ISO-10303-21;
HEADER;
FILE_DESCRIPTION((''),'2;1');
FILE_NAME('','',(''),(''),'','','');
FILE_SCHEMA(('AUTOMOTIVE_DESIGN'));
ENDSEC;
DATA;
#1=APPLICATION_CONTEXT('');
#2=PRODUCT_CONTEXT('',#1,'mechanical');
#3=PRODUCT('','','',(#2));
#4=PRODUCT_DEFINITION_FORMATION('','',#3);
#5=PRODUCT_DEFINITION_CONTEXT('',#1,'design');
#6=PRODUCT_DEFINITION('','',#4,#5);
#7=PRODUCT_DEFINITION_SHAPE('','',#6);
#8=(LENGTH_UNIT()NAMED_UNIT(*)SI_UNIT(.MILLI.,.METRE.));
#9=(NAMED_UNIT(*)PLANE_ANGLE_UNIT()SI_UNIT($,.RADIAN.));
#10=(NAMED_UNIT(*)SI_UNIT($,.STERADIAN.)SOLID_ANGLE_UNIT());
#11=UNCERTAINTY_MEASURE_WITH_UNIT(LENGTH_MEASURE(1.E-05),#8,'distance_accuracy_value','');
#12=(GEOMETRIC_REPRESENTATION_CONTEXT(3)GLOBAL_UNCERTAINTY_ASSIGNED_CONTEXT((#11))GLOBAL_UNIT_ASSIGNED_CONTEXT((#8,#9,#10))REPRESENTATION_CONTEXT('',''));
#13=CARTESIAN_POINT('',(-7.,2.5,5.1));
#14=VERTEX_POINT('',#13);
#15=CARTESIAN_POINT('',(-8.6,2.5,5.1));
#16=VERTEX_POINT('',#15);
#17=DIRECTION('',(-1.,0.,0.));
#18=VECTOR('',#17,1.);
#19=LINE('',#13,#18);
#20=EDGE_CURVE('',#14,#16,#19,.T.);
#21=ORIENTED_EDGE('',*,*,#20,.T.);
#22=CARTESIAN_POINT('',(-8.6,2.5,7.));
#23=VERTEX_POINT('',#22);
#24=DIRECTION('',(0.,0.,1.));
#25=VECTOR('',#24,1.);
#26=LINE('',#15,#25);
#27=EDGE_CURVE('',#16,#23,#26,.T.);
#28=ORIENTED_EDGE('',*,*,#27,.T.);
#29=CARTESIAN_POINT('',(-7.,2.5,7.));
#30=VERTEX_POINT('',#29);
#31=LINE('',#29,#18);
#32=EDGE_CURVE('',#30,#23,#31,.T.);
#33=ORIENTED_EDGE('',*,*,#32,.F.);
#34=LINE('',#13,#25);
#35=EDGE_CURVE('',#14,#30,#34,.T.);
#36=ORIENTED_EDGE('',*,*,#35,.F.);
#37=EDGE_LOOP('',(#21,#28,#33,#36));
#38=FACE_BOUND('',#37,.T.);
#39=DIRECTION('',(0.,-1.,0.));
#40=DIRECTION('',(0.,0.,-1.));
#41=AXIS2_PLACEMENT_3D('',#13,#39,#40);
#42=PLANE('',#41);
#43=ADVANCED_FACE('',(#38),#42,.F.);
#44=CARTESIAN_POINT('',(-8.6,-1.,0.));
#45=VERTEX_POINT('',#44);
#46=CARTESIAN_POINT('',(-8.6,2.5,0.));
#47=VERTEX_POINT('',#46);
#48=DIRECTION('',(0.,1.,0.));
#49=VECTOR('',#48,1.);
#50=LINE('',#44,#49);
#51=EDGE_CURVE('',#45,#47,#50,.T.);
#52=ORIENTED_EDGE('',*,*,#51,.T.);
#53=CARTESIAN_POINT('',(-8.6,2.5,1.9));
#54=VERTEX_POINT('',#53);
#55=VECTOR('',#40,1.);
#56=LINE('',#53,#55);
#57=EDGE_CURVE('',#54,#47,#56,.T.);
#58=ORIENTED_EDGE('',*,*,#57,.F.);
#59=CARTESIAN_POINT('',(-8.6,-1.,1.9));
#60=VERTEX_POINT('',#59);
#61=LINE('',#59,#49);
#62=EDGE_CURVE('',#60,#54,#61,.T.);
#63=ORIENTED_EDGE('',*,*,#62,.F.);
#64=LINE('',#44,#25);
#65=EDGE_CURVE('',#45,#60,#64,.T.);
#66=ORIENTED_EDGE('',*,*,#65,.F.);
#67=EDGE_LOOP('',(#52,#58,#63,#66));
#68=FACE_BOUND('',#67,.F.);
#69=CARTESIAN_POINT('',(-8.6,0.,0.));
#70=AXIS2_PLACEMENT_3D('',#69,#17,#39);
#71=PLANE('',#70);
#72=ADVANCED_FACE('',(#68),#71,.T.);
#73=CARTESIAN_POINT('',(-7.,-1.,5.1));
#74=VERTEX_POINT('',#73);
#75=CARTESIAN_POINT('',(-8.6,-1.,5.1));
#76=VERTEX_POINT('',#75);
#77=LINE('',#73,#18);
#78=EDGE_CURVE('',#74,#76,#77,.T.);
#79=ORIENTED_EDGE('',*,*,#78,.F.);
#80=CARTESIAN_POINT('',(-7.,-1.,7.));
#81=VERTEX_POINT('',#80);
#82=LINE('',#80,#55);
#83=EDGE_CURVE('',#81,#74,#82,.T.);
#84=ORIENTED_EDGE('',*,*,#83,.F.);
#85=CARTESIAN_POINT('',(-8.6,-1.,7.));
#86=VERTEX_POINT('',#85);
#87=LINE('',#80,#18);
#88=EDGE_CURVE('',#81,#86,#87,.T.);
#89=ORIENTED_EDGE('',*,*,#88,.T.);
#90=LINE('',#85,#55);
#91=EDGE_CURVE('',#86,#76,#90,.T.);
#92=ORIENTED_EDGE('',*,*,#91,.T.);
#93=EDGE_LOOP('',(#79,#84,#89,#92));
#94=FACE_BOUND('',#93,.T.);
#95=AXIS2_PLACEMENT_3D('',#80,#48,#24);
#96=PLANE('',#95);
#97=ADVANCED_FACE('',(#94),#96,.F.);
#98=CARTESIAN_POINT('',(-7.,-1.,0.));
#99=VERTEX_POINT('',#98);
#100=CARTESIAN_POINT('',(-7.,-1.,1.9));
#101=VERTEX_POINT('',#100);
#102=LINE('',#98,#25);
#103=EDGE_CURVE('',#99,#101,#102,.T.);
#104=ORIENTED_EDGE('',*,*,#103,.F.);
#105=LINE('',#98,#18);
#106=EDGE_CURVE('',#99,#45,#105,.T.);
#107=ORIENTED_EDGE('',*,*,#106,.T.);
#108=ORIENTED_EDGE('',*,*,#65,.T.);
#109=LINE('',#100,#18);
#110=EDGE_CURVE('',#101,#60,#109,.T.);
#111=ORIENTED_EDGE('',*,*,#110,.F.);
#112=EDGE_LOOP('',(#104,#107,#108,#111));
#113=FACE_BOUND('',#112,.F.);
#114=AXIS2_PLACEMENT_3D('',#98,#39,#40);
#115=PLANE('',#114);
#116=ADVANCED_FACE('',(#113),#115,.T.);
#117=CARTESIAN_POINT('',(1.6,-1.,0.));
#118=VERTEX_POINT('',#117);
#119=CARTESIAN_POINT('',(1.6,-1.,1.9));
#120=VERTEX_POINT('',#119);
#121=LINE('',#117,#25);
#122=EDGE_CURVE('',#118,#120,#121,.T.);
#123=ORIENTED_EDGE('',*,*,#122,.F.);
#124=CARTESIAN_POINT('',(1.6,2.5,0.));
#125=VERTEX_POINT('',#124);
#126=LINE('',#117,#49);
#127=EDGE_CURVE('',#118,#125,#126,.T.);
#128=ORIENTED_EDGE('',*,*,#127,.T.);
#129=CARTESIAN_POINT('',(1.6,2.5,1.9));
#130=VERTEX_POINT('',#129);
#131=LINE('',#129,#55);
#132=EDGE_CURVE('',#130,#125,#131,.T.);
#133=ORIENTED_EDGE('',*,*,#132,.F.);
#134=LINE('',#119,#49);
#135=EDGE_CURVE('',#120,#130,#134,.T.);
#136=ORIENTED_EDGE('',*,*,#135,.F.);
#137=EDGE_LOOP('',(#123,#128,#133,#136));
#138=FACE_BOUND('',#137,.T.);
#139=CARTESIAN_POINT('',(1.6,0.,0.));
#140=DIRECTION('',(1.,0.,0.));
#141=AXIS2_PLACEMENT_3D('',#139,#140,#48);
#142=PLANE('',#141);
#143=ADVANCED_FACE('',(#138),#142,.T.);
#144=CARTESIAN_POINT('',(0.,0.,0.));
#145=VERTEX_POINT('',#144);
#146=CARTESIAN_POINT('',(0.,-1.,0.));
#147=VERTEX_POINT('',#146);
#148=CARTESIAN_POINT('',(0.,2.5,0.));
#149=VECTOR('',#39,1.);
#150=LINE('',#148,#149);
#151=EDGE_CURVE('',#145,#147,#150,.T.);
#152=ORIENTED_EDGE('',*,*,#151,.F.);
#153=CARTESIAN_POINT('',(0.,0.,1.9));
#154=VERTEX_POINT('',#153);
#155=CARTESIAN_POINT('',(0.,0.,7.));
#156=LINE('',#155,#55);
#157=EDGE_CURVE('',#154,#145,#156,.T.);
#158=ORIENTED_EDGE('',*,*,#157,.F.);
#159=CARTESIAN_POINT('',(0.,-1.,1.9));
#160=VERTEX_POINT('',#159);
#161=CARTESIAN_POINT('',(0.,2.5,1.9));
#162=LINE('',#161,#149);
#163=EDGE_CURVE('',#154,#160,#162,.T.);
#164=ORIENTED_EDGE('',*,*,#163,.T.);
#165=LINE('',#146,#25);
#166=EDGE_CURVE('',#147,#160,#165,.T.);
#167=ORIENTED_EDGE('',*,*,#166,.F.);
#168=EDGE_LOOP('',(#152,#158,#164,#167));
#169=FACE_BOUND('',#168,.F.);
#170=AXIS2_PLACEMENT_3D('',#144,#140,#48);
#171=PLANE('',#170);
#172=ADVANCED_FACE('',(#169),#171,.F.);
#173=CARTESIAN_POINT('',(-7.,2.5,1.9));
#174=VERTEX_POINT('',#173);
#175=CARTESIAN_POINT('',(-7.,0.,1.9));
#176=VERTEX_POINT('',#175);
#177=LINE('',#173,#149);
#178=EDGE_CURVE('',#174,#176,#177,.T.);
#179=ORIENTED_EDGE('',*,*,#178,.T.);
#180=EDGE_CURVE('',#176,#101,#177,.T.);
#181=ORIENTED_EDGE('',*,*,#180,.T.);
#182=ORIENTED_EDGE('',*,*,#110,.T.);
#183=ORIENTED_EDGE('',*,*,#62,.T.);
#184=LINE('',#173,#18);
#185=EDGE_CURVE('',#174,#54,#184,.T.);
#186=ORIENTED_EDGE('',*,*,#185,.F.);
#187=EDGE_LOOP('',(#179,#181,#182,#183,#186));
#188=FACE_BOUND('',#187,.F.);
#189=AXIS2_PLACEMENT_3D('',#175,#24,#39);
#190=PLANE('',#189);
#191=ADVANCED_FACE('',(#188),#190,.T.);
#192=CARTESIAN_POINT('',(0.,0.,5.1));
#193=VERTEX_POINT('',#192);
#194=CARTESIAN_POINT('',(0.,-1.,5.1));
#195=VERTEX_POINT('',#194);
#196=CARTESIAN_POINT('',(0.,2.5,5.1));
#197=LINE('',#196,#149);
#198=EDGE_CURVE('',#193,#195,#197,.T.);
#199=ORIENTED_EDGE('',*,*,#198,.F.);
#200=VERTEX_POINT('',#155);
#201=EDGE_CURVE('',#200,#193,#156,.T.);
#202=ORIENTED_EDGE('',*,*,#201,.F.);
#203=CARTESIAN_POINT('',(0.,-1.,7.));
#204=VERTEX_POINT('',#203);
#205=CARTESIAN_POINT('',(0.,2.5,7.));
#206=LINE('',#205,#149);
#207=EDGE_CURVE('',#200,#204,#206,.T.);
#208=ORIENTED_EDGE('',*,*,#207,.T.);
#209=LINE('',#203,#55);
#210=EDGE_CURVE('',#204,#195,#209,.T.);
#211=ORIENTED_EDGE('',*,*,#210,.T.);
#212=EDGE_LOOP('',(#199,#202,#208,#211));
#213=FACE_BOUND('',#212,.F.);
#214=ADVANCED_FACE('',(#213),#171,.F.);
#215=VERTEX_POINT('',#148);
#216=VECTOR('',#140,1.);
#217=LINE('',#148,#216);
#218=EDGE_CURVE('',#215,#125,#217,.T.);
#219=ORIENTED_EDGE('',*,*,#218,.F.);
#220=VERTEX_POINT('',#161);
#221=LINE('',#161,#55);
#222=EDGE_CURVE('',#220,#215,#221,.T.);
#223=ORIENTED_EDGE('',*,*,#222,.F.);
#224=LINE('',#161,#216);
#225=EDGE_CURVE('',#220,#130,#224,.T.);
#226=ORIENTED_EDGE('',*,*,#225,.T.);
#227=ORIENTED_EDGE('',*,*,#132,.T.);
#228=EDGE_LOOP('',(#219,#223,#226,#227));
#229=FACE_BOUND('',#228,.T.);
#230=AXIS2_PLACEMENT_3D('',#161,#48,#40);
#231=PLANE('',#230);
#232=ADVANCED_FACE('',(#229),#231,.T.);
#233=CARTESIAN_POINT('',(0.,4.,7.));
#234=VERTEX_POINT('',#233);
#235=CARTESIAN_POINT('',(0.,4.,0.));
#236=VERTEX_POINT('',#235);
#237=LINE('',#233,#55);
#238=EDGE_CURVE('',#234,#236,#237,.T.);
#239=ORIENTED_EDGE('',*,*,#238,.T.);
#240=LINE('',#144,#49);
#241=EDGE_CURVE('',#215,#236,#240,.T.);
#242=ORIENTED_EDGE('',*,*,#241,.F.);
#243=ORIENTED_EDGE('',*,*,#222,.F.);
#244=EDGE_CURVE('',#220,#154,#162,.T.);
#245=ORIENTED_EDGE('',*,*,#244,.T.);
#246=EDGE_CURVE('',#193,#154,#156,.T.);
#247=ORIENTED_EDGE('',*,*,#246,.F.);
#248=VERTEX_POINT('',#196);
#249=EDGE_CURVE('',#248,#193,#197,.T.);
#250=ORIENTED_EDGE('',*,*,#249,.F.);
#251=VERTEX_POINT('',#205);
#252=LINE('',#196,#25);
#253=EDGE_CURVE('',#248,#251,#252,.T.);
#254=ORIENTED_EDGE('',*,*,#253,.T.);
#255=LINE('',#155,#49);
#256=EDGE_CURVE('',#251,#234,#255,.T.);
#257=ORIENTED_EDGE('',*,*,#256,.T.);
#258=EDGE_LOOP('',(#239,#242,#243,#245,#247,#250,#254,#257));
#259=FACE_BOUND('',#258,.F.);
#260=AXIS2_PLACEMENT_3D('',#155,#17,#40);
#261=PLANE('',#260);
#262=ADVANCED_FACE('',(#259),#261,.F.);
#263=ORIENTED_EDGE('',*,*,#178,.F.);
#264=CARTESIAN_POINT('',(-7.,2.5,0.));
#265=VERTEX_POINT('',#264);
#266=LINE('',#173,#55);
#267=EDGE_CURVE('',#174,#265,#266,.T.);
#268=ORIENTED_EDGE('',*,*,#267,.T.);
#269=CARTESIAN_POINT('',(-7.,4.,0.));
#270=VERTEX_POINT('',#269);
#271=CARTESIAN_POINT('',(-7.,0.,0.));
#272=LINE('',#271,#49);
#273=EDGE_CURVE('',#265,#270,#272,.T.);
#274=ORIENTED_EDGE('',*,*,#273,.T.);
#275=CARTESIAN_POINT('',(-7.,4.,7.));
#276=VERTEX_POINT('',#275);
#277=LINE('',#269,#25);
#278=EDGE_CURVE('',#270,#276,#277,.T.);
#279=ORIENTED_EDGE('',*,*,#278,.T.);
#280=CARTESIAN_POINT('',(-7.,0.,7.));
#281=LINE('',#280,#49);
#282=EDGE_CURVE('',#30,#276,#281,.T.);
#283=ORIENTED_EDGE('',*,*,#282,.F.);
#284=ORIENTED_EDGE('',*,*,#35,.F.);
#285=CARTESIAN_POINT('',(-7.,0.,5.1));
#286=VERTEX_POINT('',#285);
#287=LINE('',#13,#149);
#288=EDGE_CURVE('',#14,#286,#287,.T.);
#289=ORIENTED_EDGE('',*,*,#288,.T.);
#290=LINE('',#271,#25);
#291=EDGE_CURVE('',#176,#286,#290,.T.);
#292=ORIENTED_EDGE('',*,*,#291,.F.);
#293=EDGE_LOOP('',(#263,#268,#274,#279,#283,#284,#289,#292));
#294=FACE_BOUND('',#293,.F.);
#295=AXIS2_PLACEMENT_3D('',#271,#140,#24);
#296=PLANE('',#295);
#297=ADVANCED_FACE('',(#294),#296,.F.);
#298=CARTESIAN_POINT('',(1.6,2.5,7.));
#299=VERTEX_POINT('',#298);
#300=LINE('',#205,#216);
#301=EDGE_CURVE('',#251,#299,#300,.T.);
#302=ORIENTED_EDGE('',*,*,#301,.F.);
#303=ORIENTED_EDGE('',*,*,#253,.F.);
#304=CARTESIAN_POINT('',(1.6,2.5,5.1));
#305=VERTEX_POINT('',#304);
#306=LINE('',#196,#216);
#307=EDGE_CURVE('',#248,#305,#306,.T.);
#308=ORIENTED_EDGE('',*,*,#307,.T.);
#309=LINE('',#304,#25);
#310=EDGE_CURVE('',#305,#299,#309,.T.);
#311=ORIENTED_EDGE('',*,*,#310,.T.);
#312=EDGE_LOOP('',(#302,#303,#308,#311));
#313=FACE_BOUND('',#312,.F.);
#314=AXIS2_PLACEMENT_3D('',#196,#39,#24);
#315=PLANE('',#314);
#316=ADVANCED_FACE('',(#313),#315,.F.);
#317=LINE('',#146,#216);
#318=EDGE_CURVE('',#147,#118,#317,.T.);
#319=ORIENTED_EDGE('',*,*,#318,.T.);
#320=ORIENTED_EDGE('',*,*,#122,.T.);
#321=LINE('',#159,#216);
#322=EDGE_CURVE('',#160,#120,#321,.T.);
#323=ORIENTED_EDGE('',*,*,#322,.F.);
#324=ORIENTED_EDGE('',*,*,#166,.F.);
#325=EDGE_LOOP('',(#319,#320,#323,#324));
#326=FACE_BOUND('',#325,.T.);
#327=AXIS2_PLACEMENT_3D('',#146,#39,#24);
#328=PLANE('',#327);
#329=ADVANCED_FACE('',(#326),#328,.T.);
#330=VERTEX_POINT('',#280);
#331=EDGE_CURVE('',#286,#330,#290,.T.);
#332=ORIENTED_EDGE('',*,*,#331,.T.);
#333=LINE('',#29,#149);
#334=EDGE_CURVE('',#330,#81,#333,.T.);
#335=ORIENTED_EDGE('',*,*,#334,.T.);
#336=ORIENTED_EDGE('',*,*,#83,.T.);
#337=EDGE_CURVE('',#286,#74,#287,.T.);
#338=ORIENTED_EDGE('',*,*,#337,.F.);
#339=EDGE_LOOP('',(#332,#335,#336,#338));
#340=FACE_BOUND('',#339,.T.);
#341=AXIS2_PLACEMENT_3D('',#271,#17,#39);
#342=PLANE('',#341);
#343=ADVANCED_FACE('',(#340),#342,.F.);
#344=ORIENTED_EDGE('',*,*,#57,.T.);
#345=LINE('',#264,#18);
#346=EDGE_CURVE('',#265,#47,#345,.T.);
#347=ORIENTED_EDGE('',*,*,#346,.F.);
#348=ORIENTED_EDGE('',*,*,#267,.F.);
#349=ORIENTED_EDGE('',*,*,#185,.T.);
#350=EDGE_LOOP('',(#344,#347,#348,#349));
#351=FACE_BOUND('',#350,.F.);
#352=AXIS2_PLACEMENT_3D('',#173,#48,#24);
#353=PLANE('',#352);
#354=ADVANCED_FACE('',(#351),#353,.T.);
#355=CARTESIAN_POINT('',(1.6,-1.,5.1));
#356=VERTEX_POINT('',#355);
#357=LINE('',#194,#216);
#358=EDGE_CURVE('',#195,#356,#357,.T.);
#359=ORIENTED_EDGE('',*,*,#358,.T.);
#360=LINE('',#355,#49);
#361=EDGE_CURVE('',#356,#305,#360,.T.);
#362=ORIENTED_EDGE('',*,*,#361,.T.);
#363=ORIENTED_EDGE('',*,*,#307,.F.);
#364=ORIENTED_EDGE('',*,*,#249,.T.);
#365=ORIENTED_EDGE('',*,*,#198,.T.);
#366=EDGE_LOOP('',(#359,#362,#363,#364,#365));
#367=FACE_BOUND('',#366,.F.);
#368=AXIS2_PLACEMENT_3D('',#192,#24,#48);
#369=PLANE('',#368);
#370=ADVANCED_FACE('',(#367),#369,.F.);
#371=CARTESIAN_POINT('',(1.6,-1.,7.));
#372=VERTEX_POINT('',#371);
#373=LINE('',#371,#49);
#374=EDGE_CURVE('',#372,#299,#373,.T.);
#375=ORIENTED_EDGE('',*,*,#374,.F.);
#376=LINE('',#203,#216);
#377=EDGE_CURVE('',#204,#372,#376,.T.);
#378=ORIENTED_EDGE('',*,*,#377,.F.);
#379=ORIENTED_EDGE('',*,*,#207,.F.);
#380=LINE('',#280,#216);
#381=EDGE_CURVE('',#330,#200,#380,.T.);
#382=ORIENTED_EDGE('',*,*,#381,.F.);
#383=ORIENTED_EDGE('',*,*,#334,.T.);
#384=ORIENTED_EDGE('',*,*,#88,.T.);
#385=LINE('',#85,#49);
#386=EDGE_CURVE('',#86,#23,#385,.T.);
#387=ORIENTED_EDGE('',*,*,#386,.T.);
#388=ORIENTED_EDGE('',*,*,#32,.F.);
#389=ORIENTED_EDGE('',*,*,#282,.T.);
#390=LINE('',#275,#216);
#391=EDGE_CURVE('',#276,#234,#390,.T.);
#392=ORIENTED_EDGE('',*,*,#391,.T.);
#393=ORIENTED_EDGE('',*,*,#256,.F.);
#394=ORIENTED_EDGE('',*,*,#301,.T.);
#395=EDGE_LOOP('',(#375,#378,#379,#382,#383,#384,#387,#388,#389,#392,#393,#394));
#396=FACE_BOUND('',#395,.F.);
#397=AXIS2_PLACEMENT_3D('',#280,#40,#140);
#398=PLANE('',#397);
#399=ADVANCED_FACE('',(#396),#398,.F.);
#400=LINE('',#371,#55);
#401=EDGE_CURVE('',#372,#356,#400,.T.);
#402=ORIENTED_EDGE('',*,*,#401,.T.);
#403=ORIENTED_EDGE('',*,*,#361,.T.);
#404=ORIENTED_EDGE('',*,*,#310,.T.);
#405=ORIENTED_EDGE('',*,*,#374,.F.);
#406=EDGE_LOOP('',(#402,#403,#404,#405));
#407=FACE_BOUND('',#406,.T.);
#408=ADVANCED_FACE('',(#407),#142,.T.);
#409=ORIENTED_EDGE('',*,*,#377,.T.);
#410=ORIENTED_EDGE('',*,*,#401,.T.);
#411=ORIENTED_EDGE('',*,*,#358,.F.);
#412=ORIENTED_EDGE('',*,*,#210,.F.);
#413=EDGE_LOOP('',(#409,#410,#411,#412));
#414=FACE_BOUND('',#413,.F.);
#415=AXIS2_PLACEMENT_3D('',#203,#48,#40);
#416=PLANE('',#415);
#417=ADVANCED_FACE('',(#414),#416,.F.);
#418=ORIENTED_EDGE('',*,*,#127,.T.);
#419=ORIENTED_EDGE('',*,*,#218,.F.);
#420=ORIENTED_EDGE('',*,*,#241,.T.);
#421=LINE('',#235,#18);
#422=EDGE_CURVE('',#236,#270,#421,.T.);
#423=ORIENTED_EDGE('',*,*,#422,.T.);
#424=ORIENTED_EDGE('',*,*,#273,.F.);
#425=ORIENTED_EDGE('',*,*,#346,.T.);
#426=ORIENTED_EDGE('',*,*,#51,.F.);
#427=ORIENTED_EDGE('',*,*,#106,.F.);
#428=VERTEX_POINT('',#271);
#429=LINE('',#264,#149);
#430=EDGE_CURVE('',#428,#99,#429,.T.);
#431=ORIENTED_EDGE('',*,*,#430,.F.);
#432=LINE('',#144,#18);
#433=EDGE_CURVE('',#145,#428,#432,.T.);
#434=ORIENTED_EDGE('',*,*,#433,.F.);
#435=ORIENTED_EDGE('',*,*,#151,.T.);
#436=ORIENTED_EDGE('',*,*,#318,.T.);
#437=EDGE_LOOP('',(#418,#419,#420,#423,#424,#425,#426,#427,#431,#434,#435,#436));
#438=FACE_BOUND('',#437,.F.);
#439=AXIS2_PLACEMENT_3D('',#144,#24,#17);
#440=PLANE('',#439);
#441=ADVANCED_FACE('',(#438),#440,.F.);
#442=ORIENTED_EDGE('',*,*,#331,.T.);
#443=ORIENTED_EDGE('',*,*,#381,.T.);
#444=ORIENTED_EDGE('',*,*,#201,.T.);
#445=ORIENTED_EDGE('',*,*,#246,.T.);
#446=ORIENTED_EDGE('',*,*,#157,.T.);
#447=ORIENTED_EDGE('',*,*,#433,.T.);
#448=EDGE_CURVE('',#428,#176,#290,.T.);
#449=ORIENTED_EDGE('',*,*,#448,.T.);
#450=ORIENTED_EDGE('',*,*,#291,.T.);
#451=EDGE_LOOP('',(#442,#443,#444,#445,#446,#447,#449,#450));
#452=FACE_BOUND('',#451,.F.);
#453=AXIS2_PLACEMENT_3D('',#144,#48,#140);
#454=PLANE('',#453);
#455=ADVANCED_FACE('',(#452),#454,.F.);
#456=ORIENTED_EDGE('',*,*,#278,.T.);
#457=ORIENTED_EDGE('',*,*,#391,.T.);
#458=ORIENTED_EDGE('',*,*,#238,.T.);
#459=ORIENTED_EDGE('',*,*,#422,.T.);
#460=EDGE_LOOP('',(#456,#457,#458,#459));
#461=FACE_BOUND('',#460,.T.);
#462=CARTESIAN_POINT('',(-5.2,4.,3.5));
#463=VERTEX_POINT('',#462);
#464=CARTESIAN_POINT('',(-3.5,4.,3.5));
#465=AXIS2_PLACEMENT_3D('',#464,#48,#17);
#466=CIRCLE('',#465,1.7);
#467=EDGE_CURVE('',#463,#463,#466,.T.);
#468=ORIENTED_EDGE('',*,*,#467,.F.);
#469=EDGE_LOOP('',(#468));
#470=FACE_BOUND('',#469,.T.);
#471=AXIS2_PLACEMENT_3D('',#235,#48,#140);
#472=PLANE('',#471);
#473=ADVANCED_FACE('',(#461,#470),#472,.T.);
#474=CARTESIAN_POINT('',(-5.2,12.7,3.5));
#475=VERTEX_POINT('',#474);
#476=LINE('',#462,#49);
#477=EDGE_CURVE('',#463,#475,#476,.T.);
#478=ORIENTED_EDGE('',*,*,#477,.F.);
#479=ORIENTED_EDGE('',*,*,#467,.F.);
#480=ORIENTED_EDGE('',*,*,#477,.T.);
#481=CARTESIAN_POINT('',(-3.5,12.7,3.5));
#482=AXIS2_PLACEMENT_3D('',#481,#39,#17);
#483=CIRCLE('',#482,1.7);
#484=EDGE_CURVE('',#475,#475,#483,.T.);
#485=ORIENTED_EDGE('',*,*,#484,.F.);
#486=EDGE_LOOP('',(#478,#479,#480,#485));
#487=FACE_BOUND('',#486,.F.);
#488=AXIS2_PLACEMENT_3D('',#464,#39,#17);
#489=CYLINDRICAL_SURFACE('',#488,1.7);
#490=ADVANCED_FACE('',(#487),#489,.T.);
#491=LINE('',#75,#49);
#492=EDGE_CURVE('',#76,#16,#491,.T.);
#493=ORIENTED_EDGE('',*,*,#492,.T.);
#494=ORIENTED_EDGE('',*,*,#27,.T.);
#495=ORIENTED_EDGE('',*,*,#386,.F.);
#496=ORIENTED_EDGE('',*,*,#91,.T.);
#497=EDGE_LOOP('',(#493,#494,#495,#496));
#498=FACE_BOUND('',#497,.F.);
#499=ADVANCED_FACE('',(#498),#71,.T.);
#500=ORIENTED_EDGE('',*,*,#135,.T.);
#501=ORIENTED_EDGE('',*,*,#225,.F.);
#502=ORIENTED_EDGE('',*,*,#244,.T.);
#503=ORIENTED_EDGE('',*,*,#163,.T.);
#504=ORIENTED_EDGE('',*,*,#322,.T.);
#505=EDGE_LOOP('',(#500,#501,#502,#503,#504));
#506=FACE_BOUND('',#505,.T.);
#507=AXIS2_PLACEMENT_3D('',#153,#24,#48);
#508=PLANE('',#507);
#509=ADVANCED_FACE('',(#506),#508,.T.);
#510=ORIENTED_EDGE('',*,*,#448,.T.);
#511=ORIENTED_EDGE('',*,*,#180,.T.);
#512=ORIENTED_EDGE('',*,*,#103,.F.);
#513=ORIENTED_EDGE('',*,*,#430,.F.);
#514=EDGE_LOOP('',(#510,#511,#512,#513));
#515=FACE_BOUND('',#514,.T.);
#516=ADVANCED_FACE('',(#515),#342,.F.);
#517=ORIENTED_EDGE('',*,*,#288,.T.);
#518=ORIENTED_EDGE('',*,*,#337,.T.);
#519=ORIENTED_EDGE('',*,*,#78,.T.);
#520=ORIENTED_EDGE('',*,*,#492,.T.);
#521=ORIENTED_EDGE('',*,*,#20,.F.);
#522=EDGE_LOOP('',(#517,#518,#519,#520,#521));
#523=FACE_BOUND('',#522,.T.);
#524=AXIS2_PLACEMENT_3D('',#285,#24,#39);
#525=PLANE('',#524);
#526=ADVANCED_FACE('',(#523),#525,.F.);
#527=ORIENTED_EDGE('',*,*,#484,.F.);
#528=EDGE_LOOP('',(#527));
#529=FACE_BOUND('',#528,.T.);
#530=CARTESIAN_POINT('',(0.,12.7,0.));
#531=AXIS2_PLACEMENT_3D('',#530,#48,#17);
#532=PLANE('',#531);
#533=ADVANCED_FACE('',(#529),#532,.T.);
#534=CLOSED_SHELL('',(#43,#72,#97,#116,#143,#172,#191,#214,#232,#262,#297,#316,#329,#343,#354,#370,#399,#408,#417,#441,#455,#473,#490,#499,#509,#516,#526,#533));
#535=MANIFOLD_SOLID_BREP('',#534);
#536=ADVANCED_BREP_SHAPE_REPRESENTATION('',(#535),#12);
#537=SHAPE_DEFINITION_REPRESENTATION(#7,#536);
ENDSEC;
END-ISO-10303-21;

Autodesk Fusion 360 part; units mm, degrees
sketch "Sketch1" plane through (0, 0, 0) normal (0, 1, 0) x (1, 0, 0)
  line L0 (0, 0) -> (-7, 0)
  line L1 (-7, 0) -> (-7, -7)
  line L2 (-7, -7) -> (0, -7)
  line L3 (0, -7) -> (0, 0)
  dimension "d1" = 7
  dimension "d2" = 7
extrude "Extrude1" add sketch "Sketch1" along normal blind 4
sketch "Sketch2" plane through (0, 4, 0) normal (0, 1, 0) x (-1, 0, 0)
  line L0 (0, 7) -> (0, 0)
  line L1 (0, 0) -> (7, 0)
  line L2 (7, 0) -> (7, 7)
  line L3 (7, 7) -> (0, 7)
  line L4 (3.5, 7) -> (3.5, 0)
  line L5 (7, 3.5) -> (0, 3.5)
  circle A0 centre (3.5, 3.5) radius 1.7
  dimension "d5" = 3.4
extrude "Extrude2" add sketch "Sketch2" along normal blind 8.7 contours L4 L5 A0 | L4 L5 A0 | L4 L5 A0 | L4 L5 A0
ref_plane "WorkPlane1" through (-3.5, 0, 0) normal (1, 0, 0) x (0, 1, 0)
sketch "Sketch3" plane through (0, 0, 0) normal (1, 0, 0) x (0, 1, 0)
  line L0 (0, 7) -> (0, 0)
  line L1 (0, 0) -> (4, 0)
  line L2 (4, 0) -> (4, 7)
  line L3 (4, 7) -> (0, 7)
  line L4 (2.5, 0) -> (-1, 0)
  line L5 (-1, 0) -> (-1, 1.9)
  line L6 (-1, 1.9) -> (2.5, 1.9)
  line L7 (2.5, 1.9) -> (2.5, 0)
  line L8 (2.5, 7) -> (-1, 7)
  line L9 (-1, 7) -> (-1, 5.1)
  line L10 (-1, 5.1) -> (2.5, 5.1)
  line L11 (2.5, 5.1) -> (2.5, 7)
  line L12 (4, 7) -> (4, 0)
  dimension "d9" = 1.9
  dimension "d10" = 1.9
  dimension "d11" = 1.5
  dimension "d12" = 1.5
  dimension "d13" = 3.5
  dimension "d14" = 3.5
extrude "Extrude3" add sketch "Sketch3" along normal blind 1.6 contours L0 L3 L8 L10 L11 | L0 L8 L9 L10 | L0 L1 L4 L6 L7 | L0 L4 L5 L6
mirror "Mirror1" about plane through (-3.5, 0, 0) normal (1, 0, 0) of "Extrude3"
equation "d2 = d1"
equation "d10 = d9"
equation "d12 = d11"
equation "d14 = d13"
